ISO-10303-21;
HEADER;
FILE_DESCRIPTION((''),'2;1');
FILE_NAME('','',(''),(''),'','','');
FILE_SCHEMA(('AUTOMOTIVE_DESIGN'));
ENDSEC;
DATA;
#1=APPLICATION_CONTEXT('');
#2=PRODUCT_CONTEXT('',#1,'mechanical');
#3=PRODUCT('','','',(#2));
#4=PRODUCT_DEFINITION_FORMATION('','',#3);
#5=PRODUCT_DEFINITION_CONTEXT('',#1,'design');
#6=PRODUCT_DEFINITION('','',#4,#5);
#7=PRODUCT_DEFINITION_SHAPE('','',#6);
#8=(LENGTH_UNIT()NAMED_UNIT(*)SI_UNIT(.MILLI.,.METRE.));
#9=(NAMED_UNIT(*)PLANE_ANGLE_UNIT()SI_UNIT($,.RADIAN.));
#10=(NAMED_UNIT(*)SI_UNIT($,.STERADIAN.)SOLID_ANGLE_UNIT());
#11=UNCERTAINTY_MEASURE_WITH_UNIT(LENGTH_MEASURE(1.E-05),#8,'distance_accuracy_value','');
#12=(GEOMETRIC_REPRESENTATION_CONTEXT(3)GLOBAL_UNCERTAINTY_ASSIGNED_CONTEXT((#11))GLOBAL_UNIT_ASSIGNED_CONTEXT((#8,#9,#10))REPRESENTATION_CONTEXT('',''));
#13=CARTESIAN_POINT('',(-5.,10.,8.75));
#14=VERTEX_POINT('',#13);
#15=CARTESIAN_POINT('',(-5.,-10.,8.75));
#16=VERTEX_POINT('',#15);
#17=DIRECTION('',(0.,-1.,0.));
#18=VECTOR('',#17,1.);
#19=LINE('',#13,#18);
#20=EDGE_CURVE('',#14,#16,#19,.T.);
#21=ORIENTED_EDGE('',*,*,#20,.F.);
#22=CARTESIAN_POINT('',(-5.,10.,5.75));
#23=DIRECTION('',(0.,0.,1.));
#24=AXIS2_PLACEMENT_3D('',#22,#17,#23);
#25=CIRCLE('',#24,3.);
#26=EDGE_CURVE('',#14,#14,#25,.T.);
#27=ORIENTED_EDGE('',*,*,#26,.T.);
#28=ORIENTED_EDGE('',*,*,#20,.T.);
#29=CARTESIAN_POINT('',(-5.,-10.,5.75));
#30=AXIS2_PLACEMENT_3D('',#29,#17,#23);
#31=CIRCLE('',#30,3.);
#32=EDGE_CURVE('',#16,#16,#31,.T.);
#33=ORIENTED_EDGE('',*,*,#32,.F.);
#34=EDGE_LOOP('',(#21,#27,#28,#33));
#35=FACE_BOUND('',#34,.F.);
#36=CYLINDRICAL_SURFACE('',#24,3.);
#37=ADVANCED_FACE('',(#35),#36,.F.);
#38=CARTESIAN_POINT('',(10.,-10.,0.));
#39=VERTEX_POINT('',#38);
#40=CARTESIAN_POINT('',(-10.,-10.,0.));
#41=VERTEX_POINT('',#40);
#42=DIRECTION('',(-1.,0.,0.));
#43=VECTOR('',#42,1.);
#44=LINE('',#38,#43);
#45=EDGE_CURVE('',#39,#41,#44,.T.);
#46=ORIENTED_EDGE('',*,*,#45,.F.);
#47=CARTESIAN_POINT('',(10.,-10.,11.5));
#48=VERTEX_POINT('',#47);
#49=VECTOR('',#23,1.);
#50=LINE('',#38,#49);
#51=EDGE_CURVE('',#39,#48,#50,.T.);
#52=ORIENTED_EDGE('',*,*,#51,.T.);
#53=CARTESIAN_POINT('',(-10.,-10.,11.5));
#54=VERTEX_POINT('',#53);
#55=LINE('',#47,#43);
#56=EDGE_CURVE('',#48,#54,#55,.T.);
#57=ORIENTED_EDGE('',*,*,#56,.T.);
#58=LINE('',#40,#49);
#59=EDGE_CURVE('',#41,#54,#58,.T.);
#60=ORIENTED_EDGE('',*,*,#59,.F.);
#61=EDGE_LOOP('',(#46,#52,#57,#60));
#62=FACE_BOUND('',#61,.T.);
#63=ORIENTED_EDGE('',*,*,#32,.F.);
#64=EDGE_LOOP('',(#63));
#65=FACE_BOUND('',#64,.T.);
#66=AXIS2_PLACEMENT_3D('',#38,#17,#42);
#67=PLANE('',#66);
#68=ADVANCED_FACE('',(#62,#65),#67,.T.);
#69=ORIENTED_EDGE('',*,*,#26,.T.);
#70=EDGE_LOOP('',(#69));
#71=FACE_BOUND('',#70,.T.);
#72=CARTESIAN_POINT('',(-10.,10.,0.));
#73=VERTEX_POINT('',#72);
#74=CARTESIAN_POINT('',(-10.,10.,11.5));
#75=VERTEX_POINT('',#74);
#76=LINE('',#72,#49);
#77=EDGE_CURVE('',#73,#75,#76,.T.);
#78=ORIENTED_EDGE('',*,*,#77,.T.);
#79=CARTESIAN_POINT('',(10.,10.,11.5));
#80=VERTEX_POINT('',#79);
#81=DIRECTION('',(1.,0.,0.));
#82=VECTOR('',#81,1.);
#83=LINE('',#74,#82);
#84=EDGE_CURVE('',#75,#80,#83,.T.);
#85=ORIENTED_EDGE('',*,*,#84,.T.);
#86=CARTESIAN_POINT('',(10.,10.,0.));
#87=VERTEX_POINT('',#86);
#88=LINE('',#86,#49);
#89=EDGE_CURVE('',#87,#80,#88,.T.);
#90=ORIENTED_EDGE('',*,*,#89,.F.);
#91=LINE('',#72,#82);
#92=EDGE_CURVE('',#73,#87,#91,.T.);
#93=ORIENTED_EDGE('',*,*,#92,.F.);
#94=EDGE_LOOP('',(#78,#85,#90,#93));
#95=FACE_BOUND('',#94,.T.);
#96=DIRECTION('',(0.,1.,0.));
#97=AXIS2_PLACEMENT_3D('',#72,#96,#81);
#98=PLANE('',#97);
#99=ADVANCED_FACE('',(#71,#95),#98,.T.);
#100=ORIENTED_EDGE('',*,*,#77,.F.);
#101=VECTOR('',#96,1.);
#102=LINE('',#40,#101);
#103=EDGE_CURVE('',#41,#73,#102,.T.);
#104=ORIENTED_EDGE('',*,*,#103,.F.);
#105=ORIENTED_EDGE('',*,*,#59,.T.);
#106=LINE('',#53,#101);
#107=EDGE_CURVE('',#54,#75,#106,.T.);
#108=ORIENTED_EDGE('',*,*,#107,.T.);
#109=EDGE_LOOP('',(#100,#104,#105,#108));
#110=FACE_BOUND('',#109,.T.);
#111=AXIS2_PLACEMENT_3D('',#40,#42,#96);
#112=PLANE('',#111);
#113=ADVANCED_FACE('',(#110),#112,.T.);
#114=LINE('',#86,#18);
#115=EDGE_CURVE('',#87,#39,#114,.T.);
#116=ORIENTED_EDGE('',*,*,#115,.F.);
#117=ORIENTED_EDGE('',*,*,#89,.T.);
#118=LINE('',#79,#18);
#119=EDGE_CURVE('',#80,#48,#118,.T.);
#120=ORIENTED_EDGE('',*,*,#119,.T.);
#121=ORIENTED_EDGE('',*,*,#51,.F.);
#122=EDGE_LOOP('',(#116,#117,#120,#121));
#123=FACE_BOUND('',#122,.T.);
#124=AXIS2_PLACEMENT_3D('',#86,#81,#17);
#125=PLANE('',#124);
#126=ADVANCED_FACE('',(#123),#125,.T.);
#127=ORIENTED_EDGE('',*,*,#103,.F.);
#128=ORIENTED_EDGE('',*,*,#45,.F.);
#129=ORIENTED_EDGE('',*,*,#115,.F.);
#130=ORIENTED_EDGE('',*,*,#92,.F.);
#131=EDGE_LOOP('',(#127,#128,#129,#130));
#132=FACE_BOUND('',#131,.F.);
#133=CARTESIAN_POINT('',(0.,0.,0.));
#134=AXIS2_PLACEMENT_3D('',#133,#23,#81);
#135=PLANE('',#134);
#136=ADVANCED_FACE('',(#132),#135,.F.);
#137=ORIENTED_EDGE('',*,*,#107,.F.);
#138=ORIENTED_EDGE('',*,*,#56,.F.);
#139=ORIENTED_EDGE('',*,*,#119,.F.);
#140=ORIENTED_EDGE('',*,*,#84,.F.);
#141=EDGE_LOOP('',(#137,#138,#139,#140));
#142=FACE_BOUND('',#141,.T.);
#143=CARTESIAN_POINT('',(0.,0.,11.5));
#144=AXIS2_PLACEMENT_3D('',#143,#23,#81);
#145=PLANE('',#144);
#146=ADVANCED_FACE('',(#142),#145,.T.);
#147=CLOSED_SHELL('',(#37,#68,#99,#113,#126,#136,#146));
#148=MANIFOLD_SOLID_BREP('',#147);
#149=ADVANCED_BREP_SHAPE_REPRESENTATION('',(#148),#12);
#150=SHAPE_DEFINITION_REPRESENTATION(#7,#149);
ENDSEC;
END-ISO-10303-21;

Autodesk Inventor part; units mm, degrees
ref_plane "YZ Plane" through (0, 0, 0) normal (1, 0, 0) x (0, 1, 0)
ref_plane "XZ Plane" through (0, 0, 0) normal (0, 1, 0) x (-1, 0, 0)
ref_plane "XY Plane" through (0, 0, 0) normal (0, 0, 1) x (1, 0, 0)
sketch "Sketch1" plane through (0, 0, 0) normal (0, 0, 1) x (1, 0, 0)
  line L0 (-10, 10) -> (10, 10)
  line L1 (10, 10) -> (10, -10)
  line L2 (10, -10) -> (-10, -10)
  line L3 (-10, -10) -> (-10, 10)
  point P0 (0, 0)
  dimension "d0" = 20
  dimension "d1" = 20
  dimension "d2" = 10
  dimension "d3" = 10
extrude "Extrusion1" add sketch "Sketch1" along normal blind 11.5
hole "Hole1" at (-5, 10, 5.75) direction (0, -1, 0) diameter 6 end through all
equation "\"d2\" = 0.5 * d1"
equation "\"d3\" = 0.5 * d0"
properties part number "heated block"
